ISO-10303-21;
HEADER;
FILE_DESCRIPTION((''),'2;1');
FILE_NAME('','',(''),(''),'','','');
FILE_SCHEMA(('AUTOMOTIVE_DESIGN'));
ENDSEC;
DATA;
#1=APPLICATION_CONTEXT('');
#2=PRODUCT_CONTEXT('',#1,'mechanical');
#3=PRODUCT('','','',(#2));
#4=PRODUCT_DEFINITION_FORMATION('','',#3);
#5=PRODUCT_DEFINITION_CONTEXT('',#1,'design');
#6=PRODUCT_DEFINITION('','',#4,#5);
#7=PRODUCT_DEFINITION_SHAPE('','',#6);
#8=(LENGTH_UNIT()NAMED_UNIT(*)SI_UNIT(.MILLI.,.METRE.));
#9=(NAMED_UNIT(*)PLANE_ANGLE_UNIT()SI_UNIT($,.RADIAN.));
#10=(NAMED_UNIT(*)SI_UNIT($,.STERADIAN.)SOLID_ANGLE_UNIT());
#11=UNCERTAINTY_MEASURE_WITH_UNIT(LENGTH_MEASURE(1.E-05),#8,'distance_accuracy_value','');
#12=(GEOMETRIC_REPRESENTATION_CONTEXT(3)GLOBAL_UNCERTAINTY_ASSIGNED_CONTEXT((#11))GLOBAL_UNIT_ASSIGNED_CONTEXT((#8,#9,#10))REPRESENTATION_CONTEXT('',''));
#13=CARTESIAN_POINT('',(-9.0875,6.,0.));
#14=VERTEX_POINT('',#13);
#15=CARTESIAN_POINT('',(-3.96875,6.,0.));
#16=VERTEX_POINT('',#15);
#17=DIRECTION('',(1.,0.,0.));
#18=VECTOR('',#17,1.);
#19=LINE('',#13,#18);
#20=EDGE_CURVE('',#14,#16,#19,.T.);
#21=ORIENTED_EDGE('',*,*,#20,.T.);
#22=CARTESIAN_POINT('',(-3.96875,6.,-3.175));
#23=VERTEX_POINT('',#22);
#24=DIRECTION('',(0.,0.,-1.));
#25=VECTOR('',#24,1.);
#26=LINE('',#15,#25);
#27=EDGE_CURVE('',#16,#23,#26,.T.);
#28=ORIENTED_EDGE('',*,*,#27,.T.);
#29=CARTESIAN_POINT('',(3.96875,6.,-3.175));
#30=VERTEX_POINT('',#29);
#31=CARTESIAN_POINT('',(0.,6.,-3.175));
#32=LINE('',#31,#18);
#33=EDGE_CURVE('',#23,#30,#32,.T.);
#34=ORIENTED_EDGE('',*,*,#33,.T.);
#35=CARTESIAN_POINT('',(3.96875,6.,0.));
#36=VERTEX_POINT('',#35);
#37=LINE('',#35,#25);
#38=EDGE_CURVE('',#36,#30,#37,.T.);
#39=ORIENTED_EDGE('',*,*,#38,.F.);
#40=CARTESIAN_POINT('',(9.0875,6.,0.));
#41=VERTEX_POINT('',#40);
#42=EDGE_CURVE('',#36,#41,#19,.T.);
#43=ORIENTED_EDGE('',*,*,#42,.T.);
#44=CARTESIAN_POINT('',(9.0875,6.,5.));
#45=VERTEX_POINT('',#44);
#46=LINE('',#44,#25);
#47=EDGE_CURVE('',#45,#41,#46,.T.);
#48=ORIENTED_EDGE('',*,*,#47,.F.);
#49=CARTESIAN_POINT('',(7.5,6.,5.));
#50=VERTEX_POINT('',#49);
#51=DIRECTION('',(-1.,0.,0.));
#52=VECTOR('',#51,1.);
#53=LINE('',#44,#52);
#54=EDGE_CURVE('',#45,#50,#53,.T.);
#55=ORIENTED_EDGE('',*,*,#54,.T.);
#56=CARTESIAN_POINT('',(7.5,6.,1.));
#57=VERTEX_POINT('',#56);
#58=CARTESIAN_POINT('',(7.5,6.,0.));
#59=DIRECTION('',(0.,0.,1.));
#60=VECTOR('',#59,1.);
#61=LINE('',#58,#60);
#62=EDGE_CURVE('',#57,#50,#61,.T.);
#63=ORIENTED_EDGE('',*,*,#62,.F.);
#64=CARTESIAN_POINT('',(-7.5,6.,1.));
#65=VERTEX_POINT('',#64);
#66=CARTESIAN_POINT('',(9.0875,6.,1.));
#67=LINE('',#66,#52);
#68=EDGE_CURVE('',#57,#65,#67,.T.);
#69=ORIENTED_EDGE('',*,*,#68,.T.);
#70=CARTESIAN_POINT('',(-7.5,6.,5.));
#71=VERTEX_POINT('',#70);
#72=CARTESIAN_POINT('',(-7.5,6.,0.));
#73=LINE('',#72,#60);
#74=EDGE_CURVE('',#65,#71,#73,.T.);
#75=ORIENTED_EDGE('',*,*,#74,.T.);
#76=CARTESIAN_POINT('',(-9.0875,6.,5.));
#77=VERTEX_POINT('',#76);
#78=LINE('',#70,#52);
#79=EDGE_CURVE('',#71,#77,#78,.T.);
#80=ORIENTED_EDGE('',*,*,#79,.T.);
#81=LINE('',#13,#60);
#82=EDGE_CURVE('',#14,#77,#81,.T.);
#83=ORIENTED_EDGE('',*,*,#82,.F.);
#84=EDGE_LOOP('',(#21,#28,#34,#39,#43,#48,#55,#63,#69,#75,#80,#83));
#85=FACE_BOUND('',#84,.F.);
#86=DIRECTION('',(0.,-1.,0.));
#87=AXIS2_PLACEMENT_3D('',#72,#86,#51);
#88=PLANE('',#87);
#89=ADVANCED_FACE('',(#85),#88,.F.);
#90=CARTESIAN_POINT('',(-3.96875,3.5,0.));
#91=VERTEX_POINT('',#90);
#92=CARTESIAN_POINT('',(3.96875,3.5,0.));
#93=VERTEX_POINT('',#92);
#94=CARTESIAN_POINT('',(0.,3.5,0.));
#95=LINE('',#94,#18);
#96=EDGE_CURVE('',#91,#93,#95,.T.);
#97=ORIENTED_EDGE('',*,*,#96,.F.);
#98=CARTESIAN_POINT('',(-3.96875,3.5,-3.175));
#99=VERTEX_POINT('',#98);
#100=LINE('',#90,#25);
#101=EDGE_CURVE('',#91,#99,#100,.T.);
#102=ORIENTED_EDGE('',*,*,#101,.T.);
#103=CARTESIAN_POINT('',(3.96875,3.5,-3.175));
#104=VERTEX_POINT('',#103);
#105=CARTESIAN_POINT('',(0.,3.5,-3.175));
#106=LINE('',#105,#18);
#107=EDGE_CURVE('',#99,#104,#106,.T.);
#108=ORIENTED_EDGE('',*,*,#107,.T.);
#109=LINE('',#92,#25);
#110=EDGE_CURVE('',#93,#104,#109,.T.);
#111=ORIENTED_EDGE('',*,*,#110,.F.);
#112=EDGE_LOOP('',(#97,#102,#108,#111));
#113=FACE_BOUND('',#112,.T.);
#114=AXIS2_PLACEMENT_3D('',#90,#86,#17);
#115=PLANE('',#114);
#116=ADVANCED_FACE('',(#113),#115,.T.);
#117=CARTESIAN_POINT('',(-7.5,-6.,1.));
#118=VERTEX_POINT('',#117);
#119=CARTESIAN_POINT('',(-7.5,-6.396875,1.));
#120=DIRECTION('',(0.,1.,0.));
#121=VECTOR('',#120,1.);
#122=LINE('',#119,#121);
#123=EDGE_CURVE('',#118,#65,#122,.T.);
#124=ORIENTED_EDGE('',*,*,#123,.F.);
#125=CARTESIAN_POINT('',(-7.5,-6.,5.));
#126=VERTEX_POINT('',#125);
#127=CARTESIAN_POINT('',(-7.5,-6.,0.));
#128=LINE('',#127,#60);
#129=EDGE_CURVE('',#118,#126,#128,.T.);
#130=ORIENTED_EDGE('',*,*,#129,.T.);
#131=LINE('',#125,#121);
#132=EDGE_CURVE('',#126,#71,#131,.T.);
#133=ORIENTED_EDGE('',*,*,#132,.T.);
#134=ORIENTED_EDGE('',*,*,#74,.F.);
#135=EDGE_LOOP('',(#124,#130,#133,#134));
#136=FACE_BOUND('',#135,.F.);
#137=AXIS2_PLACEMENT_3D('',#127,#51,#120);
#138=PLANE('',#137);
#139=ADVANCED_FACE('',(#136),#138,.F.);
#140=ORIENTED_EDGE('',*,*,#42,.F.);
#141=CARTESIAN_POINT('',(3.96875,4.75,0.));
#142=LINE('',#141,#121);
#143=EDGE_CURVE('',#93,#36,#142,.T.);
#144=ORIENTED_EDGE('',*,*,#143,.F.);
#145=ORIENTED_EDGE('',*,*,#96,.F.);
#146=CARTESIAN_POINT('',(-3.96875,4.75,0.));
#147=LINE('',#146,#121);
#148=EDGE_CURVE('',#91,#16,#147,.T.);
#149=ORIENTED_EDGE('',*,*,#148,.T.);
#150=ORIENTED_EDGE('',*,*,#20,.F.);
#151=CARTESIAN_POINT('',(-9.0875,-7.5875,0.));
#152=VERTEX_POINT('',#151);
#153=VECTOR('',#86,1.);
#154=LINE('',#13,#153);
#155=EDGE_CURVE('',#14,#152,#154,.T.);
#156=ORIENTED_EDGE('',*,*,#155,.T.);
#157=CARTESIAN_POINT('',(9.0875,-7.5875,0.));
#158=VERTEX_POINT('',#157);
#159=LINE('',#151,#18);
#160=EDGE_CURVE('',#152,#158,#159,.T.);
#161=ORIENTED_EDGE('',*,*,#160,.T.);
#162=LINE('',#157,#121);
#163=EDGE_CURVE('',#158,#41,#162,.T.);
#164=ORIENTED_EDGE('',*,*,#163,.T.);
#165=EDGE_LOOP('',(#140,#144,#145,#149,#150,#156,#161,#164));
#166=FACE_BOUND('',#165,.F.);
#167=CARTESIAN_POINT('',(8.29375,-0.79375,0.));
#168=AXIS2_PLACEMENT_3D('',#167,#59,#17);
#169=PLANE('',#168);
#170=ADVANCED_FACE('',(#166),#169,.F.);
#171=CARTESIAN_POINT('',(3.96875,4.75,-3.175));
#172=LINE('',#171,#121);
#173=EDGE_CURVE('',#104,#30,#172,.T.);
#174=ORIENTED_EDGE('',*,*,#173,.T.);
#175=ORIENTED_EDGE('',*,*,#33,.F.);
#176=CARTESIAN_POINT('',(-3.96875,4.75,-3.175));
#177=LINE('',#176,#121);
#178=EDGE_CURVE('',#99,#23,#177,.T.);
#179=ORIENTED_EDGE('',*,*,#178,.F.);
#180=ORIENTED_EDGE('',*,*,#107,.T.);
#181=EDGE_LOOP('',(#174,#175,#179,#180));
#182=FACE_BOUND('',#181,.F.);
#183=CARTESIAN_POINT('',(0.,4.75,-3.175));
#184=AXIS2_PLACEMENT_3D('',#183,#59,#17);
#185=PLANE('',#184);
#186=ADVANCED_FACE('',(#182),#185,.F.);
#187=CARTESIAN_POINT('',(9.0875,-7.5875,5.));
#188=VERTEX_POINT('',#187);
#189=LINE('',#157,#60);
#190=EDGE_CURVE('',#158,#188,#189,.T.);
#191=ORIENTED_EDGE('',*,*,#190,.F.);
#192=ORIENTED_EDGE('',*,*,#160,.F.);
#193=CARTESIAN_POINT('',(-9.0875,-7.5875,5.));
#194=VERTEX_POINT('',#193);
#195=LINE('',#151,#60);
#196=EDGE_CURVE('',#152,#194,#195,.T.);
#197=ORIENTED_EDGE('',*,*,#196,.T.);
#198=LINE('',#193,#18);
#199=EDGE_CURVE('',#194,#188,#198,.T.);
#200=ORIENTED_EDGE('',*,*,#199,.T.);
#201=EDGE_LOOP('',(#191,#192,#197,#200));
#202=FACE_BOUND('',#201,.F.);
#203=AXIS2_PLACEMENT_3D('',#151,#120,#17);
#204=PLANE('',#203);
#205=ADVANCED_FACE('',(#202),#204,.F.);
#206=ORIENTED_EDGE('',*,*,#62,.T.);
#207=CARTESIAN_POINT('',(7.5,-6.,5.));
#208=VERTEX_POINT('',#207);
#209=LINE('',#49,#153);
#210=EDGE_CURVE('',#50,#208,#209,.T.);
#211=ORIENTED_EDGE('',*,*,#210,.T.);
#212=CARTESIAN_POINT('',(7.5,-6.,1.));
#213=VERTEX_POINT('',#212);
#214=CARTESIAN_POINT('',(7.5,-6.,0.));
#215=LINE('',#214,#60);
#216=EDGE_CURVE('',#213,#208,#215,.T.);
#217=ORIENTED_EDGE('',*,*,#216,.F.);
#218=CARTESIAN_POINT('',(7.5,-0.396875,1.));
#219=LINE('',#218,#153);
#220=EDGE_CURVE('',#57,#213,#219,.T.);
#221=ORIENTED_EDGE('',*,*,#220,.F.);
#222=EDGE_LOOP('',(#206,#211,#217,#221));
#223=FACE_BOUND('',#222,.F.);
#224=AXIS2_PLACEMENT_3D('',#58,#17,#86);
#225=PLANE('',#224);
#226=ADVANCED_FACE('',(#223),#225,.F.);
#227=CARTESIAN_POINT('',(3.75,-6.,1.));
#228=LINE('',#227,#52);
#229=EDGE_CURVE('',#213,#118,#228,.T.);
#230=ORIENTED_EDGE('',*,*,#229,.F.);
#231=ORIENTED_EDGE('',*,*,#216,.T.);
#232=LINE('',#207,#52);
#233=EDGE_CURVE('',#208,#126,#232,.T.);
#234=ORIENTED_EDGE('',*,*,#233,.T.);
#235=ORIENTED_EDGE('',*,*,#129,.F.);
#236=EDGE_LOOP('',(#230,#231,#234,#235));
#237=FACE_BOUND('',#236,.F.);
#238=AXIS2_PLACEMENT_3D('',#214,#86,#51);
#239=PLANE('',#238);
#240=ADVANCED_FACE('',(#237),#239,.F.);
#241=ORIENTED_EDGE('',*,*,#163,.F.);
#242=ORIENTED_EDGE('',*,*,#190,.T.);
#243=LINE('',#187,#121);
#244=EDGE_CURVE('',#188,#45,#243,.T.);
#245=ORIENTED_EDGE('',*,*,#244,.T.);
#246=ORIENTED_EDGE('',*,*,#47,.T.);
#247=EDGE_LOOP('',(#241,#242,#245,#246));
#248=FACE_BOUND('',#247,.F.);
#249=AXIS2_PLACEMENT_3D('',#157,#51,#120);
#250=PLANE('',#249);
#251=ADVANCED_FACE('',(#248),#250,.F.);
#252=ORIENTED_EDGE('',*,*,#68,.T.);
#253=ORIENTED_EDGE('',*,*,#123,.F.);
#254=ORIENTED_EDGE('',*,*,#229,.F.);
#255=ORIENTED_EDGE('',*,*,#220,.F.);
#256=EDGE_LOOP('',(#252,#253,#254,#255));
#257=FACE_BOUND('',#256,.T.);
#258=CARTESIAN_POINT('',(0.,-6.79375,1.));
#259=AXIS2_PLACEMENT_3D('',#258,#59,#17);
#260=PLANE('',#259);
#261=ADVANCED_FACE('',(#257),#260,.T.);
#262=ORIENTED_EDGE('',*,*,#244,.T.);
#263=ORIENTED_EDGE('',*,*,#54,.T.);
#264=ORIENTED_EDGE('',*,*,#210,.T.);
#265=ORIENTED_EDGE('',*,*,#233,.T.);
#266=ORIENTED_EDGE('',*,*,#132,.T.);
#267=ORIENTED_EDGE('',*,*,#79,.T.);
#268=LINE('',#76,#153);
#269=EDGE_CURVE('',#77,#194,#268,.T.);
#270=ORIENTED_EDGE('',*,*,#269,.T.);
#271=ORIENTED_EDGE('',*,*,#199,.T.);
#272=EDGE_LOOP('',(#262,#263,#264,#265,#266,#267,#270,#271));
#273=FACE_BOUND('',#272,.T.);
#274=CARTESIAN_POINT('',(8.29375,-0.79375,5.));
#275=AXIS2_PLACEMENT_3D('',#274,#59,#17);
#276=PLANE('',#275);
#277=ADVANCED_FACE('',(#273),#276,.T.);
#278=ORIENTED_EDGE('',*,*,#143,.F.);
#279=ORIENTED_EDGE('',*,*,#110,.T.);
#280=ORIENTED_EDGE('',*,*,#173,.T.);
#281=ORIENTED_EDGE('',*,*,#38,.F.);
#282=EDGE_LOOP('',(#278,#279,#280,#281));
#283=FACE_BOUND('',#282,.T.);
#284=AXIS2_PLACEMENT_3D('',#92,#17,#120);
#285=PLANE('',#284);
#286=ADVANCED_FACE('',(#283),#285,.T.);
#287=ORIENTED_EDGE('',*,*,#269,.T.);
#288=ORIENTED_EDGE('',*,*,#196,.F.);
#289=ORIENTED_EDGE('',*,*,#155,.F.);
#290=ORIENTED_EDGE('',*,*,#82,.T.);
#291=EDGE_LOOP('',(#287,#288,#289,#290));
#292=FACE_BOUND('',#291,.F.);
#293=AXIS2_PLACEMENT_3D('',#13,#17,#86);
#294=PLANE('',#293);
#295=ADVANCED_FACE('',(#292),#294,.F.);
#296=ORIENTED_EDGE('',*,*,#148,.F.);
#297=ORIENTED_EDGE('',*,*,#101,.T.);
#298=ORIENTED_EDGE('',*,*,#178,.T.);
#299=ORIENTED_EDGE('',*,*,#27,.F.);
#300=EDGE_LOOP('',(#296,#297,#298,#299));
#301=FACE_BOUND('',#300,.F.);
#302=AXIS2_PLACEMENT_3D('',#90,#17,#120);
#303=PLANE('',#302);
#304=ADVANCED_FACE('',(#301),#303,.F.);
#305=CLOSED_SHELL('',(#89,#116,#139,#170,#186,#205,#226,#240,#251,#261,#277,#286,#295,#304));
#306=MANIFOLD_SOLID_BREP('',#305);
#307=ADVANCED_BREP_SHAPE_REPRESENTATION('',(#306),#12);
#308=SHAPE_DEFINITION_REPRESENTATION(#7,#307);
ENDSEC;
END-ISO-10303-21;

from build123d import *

# Parameters (mm, degrees)
F1_DEPTH = 5
F0_W     = 7.9375
F0_H     = 2.5
F2_DEPTH = 1
F3_DEPTH = 3.175


with BuildPart() as f1:
    # F0 (on Top) → F1 (new body)
    with BuildSketch(Plane.XY):
        Polygon((7.5, 6), (7.5, -6), (7.5, -7.5875), (9.0875, -7.5875), (9.0875, 6), align=None)
        Polygon((7.5, -7.5875), (7.5, -6), (4.5, -6), (-7.5, -6), (-7.5, -7.5875), align=None)
        Polygon((-7.5, -7.5875), (-7.5, -6), (-7.5, 4.4125), (-7.5, 6), (-7.5875, 6), (-9.0875, 6), (-9.0875, -7.5875), align=None)
    extrude(amount=F1_DEPTH)

    # F0 (on Top) → F2 (join)
    with BuildSketch(Plane.XY):
        Polygon((7.5, -7.5875), (7.5, -6), (4.5, -6), (-7.5, -6), (-7.5, -7.5875), align=None)
        Polygon((4.5, -6), (7.5, -6), (7.5, 6), (3.96875, 6), (3.96875, 3.5), (-3.96875, 3.5), (-3.96875, 6), (-5.46875, 6), (-6, 6), (-7.5, 6), (-7.5, 4.4125), (-7.5, -6), align=None)
        Polygon((7.5, 6), (7.5, -6), (7.5, -7.5875), (9.0875, -7.5875), (9.0875, 6), align=None)
        Polygon((-7.5, -7.5875), (-7.5, -6), (-7.5, 4.4125), (-7.5, 6), (-7.5875, 6), (-9.0875, 6), (-9.0875, -7.5875), align=None)
        with Locations((0, 4.75)):
            Rectangle(F0_W, F0_H)
    extrude(amount=F2_DEPTH)

    # F0 (on Top) → F3 (join)
    with BuildSketch(Plane.XY):
        with Locations((0, 4.75)):
            Rectangle(F0_W, F0_H)
    extrude(amount=-F3_DEPTH)


solid = f1.part
